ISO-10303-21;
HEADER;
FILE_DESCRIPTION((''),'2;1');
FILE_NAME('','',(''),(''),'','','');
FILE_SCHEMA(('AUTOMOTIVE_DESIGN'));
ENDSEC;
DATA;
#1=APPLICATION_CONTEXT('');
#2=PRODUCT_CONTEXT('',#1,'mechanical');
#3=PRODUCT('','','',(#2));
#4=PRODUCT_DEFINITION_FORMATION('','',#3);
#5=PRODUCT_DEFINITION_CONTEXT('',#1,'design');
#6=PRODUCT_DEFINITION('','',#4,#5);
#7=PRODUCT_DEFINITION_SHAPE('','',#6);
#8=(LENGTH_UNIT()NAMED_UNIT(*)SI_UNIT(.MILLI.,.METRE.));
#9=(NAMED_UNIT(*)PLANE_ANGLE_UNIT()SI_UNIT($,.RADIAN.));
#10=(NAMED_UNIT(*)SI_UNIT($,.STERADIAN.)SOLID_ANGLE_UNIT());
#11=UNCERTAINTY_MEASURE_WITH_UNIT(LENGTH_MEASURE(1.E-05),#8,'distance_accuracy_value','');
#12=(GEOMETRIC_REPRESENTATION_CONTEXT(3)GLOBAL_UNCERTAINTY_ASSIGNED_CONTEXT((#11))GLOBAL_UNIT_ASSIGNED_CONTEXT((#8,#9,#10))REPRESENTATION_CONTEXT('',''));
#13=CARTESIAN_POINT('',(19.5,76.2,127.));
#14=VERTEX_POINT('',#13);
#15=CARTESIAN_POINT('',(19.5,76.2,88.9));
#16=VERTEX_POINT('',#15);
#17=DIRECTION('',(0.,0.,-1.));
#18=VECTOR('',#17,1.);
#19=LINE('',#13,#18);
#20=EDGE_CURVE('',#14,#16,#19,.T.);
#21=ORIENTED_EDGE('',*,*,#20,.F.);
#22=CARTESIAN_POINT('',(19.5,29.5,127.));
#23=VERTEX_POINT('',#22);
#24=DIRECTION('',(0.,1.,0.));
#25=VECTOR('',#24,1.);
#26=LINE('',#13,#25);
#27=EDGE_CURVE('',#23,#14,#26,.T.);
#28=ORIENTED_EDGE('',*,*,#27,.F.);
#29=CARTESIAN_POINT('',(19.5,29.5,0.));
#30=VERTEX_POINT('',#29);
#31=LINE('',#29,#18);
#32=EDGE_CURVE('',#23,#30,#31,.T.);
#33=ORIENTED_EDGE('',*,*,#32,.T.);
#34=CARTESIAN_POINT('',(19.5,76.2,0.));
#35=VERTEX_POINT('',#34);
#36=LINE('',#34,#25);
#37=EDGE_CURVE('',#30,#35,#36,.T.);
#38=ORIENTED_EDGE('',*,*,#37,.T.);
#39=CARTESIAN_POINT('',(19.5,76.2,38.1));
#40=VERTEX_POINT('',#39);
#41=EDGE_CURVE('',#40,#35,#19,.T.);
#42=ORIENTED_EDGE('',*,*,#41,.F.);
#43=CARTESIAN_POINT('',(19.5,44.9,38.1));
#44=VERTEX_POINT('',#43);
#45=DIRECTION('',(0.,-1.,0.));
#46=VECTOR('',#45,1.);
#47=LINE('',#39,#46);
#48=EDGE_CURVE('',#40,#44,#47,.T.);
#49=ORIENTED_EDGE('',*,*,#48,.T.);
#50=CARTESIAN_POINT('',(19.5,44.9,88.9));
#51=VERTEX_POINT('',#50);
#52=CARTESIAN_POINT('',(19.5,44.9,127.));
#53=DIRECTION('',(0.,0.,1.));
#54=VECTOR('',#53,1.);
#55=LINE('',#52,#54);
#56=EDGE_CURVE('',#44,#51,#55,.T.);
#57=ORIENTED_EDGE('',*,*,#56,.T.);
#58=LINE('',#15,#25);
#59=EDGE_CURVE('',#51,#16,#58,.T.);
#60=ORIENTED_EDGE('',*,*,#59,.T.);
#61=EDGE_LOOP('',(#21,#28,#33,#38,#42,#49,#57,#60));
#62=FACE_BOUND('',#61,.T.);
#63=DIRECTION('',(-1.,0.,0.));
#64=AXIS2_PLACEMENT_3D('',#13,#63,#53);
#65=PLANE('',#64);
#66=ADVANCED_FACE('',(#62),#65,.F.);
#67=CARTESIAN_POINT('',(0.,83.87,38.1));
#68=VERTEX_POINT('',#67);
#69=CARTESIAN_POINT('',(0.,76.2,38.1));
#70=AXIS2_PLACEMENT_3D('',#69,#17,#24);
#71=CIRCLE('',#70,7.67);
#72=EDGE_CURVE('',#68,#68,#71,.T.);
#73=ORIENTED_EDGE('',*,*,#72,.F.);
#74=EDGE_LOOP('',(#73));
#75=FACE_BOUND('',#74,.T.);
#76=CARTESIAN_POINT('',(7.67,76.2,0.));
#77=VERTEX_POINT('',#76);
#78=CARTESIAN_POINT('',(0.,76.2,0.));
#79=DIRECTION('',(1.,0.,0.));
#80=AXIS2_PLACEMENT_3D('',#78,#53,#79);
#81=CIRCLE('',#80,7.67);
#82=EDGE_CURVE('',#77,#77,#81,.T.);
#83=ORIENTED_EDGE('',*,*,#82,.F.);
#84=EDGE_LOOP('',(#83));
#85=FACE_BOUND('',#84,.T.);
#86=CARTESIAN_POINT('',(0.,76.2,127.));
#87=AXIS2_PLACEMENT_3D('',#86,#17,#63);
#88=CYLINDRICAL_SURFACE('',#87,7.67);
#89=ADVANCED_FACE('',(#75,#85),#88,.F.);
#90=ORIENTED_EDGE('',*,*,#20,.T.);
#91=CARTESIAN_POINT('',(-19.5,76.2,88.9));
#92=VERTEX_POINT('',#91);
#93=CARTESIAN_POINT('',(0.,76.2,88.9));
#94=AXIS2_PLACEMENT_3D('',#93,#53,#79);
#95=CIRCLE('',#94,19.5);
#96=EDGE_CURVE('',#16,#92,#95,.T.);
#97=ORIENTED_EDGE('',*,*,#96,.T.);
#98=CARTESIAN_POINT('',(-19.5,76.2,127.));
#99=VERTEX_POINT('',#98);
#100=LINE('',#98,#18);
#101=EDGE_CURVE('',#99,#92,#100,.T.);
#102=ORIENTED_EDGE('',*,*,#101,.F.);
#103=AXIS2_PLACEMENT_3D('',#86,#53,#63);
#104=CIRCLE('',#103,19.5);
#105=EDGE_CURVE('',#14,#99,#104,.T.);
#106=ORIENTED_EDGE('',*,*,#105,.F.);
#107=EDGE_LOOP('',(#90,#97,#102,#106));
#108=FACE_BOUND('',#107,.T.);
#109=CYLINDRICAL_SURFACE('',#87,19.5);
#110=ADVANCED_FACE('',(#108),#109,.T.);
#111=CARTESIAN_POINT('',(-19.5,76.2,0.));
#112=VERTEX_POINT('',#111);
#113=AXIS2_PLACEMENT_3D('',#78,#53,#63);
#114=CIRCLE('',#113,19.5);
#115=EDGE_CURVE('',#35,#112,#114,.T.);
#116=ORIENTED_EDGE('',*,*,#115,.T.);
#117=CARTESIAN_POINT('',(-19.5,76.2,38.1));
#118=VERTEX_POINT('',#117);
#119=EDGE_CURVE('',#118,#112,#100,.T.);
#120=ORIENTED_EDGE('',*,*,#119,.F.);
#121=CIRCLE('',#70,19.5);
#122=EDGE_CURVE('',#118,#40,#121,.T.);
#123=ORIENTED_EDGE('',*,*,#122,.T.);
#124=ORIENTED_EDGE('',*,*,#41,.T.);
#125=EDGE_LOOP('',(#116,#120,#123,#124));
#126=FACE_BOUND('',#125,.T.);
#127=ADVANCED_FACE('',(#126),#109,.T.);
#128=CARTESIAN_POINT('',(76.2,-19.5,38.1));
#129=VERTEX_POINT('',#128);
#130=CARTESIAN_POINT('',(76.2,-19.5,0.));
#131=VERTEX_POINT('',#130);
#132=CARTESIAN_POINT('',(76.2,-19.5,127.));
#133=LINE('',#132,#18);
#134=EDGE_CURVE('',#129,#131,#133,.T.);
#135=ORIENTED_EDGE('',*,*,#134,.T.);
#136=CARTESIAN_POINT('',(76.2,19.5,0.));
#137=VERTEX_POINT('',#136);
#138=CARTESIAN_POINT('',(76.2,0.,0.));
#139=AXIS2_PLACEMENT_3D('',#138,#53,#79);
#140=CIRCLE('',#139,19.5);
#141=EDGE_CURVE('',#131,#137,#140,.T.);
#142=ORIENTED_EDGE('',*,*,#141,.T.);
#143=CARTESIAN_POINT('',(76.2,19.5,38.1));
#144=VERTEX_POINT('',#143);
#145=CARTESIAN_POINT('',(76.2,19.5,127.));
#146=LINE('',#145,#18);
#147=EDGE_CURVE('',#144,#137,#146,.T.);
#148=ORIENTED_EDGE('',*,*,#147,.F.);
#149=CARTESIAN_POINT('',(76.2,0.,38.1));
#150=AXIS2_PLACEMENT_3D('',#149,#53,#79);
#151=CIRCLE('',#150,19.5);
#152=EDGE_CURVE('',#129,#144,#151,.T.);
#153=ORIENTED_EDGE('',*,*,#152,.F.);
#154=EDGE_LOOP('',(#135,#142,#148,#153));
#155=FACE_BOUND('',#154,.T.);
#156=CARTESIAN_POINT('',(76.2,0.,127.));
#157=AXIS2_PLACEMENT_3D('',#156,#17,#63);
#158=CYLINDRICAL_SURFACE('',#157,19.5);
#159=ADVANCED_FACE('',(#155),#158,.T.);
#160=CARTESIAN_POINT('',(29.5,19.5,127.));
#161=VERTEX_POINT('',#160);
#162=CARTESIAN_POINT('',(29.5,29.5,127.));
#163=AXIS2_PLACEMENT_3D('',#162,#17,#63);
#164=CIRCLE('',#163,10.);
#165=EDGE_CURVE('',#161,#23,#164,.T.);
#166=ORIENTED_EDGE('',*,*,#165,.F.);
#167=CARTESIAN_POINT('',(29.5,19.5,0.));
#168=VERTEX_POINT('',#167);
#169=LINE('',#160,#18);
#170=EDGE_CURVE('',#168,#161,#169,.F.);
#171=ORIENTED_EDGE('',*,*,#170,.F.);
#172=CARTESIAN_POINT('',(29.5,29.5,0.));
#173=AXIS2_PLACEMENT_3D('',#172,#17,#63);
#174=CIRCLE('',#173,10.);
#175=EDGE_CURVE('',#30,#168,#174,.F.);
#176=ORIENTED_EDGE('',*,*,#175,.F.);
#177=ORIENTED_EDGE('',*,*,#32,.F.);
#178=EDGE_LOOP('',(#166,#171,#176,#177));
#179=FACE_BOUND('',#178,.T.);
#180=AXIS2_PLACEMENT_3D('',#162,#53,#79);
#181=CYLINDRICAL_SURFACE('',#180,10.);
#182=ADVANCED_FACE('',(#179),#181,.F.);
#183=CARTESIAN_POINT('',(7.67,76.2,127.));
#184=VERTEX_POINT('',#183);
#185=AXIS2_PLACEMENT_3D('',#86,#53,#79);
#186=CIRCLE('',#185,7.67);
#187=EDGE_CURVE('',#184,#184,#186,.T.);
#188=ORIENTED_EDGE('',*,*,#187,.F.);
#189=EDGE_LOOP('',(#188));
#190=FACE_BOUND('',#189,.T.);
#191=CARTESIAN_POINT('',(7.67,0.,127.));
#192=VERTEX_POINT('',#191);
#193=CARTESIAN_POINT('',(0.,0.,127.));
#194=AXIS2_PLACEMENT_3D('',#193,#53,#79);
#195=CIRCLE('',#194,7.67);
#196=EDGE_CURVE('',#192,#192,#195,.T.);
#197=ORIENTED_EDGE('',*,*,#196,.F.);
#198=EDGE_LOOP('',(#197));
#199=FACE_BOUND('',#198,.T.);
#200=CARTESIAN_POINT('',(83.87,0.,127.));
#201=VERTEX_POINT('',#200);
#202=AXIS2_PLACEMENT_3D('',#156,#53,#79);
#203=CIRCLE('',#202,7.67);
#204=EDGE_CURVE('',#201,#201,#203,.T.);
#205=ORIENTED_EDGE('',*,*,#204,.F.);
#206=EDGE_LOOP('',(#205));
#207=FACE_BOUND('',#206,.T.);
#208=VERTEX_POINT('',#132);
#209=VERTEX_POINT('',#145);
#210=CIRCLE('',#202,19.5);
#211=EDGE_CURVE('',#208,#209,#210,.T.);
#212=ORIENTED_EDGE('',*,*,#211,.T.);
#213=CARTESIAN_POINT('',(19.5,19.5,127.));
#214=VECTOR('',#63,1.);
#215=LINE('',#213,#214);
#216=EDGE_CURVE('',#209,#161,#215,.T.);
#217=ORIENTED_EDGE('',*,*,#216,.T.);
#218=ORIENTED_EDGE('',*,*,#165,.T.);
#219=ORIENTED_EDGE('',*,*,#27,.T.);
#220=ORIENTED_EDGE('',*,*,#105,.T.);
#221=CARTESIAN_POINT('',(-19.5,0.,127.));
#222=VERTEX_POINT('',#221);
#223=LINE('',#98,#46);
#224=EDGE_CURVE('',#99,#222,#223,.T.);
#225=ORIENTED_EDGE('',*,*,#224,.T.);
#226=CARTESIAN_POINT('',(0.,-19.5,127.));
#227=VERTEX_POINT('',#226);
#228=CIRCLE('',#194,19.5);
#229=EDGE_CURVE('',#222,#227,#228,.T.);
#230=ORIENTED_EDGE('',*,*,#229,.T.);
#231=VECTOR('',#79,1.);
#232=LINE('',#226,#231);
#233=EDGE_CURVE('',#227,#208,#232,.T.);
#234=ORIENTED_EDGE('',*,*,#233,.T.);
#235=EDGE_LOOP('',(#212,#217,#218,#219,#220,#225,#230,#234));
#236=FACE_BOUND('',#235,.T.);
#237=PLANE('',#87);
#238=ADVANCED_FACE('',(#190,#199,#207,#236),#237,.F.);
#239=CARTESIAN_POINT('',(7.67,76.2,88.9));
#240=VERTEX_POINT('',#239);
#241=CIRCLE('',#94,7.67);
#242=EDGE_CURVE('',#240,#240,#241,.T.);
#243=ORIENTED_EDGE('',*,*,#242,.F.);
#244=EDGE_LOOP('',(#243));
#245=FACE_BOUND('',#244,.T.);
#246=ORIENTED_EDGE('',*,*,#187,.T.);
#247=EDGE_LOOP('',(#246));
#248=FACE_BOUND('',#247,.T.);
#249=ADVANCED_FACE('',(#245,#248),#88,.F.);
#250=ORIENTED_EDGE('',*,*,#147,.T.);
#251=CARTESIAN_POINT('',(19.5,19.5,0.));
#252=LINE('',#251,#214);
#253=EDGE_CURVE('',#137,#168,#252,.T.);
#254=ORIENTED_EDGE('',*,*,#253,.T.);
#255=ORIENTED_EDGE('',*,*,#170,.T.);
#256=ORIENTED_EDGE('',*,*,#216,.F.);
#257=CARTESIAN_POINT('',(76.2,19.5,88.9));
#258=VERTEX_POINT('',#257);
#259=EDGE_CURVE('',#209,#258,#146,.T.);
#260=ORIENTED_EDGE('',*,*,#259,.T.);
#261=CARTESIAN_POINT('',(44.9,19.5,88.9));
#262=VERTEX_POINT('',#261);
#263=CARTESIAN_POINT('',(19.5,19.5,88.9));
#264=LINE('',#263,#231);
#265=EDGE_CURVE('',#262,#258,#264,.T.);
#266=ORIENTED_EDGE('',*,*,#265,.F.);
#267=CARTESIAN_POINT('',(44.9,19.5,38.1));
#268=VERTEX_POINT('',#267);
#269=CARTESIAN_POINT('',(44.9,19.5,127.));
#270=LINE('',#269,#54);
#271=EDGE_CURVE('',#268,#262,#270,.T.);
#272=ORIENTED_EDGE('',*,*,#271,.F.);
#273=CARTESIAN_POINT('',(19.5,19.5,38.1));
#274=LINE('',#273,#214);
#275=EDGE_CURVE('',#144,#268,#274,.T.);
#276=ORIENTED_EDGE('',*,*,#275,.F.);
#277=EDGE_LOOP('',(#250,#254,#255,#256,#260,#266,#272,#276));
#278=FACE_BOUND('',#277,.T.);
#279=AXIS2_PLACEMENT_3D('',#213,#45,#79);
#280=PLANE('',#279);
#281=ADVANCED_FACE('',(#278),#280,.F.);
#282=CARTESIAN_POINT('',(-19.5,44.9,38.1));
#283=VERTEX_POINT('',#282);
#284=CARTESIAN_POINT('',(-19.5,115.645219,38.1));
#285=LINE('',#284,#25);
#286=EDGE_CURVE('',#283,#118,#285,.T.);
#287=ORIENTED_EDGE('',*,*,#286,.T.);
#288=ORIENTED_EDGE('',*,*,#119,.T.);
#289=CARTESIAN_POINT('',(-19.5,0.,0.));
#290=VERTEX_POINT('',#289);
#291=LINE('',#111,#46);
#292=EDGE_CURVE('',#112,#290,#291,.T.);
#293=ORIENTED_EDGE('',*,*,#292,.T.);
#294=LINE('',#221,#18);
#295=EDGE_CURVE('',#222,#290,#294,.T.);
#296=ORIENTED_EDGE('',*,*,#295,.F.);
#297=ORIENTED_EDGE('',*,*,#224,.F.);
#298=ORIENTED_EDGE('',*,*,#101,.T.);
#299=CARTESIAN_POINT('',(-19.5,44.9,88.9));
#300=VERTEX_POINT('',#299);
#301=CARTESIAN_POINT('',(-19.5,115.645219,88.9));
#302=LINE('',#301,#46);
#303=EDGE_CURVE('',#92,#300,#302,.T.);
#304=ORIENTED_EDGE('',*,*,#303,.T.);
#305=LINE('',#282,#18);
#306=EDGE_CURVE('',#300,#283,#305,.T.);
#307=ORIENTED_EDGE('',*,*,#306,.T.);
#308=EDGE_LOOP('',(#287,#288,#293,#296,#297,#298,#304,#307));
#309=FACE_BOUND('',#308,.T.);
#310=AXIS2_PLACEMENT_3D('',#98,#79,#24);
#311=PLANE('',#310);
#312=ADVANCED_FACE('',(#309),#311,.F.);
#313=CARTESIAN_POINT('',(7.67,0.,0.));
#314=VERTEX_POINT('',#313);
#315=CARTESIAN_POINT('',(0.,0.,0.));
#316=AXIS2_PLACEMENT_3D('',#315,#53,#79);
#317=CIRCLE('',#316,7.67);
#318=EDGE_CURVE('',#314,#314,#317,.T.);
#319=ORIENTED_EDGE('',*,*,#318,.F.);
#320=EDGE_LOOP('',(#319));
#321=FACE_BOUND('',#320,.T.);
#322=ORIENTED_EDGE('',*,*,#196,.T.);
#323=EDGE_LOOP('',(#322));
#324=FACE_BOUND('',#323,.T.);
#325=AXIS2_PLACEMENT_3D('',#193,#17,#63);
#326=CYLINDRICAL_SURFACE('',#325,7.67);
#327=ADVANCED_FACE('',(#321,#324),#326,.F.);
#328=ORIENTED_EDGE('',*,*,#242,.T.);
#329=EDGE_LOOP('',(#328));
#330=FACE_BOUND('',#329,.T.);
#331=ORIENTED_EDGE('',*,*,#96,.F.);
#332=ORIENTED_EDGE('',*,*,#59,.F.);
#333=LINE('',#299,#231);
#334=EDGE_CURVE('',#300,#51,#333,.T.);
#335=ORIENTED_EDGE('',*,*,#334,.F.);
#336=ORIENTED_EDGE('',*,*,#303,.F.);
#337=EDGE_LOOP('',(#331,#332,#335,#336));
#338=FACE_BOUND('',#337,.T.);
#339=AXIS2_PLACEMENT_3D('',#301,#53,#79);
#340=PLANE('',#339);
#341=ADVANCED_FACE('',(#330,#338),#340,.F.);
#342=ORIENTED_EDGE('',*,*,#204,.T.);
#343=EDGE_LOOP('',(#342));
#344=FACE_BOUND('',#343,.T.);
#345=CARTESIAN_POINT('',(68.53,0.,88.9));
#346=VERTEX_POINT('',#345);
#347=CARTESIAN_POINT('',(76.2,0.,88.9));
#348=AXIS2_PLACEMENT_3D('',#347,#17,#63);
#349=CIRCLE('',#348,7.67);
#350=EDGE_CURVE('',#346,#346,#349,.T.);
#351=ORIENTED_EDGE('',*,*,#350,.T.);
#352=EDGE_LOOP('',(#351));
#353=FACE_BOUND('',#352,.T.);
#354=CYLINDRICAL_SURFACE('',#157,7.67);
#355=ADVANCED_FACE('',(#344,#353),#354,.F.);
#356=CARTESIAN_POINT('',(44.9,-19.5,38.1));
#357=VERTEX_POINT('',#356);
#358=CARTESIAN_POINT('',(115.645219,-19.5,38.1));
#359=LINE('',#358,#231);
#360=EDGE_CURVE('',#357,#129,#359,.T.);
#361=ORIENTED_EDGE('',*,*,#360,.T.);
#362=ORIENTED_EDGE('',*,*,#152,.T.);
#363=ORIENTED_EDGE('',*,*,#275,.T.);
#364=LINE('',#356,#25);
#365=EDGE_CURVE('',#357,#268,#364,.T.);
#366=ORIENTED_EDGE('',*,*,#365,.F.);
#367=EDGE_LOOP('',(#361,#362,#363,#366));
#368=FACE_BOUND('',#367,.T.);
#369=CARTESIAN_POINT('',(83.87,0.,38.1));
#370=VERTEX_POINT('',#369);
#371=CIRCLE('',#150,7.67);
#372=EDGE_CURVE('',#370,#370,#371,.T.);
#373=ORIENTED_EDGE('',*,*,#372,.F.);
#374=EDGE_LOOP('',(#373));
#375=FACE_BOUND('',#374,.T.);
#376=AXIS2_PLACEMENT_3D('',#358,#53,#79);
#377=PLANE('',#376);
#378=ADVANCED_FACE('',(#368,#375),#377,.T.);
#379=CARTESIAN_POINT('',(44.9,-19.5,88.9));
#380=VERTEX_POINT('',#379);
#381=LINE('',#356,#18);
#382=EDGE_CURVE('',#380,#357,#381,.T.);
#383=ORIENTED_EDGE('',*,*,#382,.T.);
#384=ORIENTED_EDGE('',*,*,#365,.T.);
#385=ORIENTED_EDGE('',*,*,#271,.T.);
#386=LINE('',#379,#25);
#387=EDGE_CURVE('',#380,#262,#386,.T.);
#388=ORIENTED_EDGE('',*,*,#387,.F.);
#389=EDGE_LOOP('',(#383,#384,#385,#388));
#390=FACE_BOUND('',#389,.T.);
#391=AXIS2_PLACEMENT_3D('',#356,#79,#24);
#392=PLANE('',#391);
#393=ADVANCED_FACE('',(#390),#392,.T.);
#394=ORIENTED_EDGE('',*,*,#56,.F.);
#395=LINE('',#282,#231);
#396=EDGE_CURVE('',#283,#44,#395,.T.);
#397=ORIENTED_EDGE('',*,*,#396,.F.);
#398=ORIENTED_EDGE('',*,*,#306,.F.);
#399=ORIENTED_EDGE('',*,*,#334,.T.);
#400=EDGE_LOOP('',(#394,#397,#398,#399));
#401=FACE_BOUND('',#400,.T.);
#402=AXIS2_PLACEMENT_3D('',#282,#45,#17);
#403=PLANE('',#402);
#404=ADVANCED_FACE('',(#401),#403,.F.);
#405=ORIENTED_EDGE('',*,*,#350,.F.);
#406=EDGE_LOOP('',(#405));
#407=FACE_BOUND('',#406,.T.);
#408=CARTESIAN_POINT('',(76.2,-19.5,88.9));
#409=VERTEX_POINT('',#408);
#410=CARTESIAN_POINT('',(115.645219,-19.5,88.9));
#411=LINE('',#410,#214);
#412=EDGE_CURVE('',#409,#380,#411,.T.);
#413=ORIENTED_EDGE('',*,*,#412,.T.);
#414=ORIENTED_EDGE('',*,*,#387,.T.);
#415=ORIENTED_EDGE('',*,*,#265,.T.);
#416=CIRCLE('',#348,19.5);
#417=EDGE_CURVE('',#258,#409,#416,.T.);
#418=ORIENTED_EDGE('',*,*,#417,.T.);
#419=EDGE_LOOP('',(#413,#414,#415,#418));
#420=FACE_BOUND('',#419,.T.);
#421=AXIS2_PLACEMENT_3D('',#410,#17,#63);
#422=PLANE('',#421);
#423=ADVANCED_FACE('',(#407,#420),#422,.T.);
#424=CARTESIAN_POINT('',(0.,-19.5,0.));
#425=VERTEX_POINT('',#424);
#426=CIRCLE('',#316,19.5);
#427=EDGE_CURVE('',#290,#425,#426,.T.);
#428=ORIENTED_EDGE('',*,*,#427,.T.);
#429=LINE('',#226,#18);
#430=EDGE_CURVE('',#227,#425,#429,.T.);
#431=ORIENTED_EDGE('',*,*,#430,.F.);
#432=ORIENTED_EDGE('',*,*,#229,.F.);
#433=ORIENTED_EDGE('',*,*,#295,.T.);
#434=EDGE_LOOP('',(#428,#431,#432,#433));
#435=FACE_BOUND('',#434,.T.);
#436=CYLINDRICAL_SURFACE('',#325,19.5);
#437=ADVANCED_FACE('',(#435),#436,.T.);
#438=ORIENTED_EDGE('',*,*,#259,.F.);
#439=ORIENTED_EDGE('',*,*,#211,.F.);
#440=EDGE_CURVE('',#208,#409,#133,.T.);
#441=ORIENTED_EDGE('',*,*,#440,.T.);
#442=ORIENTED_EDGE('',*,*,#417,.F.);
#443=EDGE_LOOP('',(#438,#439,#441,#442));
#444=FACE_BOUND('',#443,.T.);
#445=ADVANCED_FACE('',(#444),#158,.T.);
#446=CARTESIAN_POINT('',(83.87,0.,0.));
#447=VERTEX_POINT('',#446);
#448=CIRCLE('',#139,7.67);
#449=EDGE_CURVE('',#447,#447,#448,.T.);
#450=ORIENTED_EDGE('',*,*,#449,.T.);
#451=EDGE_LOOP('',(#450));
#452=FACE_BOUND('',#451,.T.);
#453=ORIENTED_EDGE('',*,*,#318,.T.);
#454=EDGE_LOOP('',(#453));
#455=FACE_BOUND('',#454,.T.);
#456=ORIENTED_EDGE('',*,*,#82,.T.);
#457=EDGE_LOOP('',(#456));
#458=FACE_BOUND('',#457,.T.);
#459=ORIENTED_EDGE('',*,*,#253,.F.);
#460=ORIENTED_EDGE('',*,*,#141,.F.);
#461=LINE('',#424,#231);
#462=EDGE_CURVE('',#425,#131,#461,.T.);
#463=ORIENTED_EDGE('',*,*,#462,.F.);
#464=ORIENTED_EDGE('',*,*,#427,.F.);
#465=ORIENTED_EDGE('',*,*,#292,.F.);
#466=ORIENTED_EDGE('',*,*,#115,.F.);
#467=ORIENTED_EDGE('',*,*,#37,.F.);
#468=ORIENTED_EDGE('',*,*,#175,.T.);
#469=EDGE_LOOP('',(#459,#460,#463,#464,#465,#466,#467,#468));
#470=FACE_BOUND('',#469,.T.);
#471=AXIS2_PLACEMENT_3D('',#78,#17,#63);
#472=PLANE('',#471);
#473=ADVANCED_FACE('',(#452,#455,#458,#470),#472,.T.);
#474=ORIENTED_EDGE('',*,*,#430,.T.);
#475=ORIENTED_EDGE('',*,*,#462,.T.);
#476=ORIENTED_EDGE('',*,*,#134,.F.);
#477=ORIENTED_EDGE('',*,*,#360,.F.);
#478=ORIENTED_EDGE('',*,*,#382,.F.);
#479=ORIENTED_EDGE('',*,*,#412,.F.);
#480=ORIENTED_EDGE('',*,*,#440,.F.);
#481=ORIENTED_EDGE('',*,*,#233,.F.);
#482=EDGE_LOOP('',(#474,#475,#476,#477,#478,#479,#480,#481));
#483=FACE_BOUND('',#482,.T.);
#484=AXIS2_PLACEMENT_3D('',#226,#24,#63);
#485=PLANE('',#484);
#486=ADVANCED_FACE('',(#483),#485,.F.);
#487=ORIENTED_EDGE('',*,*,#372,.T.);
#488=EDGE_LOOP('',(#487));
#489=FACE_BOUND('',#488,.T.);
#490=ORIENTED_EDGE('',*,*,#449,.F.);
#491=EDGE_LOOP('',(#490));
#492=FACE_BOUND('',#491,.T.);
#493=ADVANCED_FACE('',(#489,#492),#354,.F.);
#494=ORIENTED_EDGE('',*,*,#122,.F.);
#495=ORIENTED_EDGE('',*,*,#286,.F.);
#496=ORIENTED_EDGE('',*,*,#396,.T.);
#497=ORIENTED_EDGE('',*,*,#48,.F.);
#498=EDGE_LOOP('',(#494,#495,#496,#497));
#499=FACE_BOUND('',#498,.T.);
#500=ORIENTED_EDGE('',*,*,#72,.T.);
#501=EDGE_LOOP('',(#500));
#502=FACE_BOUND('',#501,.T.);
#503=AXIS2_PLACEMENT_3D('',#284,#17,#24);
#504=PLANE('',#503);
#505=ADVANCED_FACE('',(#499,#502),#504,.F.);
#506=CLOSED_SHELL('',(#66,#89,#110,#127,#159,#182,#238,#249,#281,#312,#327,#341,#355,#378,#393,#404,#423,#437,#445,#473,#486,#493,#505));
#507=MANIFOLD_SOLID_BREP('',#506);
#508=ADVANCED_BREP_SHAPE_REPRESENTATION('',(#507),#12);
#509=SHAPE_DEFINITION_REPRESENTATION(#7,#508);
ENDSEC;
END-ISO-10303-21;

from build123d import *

# Parameters (mm, degrees)
SKETCH1_R           = 7.67
BOSS_EXTRUDE1_DEPTH = 127
FILLET1_R           = 10
SKETCH2_W           = 50.8
SKETCH2_H           = 70.745219222
CUT_EXTRUDE1_DEPTH  = 186.59628229


with BuildPart() as part:
    # Sketch1 → Boss-Extrude1 (new body)
    with BuildSketch(Plane.XY):
        with BuildLine():
            Line((-19.5, 76.2), (-19.5, 0))
            ThreePointArc((-19.5, 0), (-13.788582233, -13.788582233), (0, -19.5))
            Line((0, -19.5), (76.2, -19.5))
            ThreePointArc((76.2, -19.5), (95.7, 0), (76.2, 19.5))
            Line((76.2, 19.5), (19.5, 19.5))
            Line((19.5, 19.5), (19.5, 76.2))
            ThreePointArc((19.5, 76.2), (0, 95.7), (-19.5, 76.2))
        make_face()
        Circle(SKETCH1_R, mode=Mode.SUBTRACT)
        with Locations((0, 76.2)):
            Circle(SKETCH1_R, mode=Mode.SUBTRACT)
        with Locations((76.2, 0)):
            Circle(SKETCH1_R, mode=Mode.SUBTRACT)
    extrude(amount=BOSS_EXTRUDE1_DEPTH)

    # Fillet1
    fillet1_edges = [part.edges().sort_by_distance(p)[0] for p in [
        (19.5, 19.5, 63.5),
    ]]
    fillet(fillet1_edges, radius=FILLET1_R)

    # Sketch2 → Cut-Extrude1 (cut, symmetric)
    with BuildSketch(Plane(origin=(0, 0, 0), x_dir=(0, 0, -1), z_dir=(1, 0, 0))):
        with Locations((-63.5, 80.272609611)):
            Rectangle(SKETCH2_W, SKETCH2_H)
    cut_extrude1 = extrude(amount=CUT_EXTRUDE1_DEPTH, both=True, mode=Mode.SUBTRACT)

    # Mirror1: Cut-Extrude1 across plane
    add(cut_extrude1.mirror(Plane(origin=(0, 0, 0), x_dir=(0, 0, 1), z_dir=(-0.7071067811865512, 0.7071067811865438, 0))), mode=Mode.SUBTRACT)


solid = part.part
